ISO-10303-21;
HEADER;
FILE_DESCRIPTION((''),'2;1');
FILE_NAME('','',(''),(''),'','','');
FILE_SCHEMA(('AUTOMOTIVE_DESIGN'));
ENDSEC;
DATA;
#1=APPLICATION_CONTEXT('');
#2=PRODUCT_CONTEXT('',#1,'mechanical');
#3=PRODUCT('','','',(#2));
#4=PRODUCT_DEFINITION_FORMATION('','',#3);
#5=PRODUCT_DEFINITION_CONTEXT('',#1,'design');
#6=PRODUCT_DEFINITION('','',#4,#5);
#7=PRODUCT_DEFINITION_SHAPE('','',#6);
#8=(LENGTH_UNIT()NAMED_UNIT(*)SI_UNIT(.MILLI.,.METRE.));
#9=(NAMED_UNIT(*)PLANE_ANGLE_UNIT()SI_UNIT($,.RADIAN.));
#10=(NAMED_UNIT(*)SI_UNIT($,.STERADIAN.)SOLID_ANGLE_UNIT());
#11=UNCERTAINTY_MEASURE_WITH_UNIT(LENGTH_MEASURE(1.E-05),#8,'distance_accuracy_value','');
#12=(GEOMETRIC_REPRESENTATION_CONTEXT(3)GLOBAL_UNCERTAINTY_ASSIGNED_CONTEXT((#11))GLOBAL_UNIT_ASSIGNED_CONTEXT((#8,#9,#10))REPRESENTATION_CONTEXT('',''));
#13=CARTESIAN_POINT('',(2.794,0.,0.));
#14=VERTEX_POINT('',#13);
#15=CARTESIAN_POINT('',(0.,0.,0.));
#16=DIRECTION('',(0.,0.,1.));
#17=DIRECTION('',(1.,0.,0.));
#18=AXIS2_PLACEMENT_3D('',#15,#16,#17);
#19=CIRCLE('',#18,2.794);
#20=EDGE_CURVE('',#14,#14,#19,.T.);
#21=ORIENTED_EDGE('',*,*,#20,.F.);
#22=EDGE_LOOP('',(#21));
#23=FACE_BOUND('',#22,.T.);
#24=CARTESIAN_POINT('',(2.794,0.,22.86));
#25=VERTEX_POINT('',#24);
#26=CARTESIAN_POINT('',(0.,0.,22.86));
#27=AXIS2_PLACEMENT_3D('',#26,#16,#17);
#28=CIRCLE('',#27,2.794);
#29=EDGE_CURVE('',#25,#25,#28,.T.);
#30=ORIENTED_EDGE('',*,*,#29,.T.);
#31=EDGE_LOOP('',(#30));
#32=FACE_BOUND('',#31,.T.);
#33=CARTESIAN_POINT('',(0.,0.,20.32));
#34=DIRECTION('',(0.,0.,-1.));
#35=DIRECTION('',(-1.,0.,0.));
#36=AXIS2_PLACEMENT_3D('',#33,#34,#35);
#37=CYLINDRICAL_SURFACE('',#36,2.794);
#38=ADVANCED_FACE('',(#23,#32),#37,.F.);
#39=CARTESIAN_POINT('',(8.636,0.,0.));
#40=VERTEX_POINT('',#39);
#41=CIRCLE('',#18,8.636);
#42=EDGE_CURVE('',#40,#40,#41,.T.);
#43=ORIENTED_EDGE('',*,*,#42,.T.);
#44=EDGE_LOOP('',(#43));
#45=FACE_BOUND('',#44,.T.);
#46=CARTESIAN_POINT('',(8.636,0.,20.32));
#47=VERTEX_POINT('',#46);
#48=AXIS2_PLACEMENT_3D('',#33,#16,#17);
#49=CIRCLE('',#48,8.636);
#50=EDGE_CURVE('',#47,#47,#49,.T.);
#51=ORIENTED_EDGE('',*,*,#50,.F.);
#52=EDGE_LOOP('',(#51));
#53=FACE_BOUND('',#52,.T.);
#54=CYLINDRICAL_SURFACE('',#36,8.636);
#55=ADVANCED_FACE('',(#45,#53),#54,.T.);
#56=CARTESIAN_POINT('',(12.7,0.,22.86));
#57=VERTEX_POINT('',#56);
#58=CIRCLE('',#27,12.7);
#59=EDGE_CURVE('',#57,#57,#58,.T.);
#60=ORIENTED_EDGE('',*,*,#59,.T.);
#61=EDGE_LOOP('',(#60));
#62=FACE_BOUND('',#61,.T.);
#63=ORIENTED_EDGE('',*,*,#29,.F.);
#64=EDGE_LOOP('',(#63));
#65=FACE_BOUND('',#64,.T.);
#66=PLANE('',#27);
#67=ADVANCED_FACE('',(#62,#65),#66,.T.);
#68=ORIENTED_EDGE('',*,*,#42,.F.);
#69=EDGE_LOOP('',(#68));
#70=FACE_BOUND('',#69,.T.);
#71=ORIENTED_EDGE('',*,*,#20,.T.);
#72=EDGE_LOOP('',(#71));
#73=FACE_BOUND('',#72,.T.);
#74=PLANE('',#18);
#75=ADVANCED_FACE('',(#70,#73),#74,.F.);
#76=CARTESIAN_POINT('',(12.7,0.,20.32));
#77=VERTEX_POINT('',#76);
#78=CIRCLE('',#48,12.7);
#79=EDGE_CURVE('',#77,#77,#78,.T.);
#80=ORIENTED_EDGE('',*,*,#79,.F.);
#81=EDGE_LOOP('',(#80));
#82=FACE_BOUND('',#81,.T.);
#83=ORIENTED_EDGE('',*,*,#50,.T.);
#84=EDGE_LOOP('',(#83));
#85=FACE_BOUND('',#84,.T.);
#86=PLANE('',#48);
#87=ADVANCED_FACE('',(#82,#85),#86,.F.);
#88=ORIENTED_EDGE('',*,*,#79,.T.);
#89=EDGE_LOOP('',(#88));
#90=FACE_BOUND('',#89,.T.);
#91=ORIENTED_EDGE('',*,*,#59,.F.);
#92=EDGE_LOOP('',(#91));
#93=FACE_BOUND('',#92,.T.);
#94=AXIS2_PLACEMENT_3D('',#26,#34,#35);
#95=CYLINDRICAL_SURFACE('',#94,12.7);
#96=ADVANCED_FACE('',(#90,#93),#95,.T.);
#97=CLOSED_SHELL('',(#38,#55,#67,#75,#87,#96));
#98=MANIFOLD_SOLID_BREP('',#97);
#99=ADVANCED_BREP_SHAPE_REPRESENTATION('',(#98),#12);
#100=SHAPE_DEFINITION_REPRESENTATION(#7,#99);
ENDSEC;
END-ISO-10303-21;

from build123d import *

# Parameters (mm, degrees)
SKETCH1_R           = 8.636
SKETCH1_R_2         = 2.794
BOSS_EXTRUDE1_DEPTH = 20.32
SKETCH2_R           = 12.7
SKETCH2_R_2         = 2.794
BOSS_EXTRUDE2_DEPTH = 2.54


with BuildPart() as part:
    # Sketch1 → Boss-Extrude1 (new body)
    with BuildSketch(Plane.XY):
        Circle(SKETCH1_R)
        Circle(SKETCH1_R_2, mode=Mode.SUBTRACT)
    extrude(amount=BOSS_EXTRUDE1_DEPTH)

    # Sketch2 → Boss-Extrude2 (add)
    with BuildSketch(Plane.XY.offset(20.32)):
        Circle(SKETCH2_R)
        Circle(SKETCH2_R_2, mode=Mode.SUBTRACT)
    extrude(amount=BOSS_EXTRUDE2_DEPTH)


solid = part.part
